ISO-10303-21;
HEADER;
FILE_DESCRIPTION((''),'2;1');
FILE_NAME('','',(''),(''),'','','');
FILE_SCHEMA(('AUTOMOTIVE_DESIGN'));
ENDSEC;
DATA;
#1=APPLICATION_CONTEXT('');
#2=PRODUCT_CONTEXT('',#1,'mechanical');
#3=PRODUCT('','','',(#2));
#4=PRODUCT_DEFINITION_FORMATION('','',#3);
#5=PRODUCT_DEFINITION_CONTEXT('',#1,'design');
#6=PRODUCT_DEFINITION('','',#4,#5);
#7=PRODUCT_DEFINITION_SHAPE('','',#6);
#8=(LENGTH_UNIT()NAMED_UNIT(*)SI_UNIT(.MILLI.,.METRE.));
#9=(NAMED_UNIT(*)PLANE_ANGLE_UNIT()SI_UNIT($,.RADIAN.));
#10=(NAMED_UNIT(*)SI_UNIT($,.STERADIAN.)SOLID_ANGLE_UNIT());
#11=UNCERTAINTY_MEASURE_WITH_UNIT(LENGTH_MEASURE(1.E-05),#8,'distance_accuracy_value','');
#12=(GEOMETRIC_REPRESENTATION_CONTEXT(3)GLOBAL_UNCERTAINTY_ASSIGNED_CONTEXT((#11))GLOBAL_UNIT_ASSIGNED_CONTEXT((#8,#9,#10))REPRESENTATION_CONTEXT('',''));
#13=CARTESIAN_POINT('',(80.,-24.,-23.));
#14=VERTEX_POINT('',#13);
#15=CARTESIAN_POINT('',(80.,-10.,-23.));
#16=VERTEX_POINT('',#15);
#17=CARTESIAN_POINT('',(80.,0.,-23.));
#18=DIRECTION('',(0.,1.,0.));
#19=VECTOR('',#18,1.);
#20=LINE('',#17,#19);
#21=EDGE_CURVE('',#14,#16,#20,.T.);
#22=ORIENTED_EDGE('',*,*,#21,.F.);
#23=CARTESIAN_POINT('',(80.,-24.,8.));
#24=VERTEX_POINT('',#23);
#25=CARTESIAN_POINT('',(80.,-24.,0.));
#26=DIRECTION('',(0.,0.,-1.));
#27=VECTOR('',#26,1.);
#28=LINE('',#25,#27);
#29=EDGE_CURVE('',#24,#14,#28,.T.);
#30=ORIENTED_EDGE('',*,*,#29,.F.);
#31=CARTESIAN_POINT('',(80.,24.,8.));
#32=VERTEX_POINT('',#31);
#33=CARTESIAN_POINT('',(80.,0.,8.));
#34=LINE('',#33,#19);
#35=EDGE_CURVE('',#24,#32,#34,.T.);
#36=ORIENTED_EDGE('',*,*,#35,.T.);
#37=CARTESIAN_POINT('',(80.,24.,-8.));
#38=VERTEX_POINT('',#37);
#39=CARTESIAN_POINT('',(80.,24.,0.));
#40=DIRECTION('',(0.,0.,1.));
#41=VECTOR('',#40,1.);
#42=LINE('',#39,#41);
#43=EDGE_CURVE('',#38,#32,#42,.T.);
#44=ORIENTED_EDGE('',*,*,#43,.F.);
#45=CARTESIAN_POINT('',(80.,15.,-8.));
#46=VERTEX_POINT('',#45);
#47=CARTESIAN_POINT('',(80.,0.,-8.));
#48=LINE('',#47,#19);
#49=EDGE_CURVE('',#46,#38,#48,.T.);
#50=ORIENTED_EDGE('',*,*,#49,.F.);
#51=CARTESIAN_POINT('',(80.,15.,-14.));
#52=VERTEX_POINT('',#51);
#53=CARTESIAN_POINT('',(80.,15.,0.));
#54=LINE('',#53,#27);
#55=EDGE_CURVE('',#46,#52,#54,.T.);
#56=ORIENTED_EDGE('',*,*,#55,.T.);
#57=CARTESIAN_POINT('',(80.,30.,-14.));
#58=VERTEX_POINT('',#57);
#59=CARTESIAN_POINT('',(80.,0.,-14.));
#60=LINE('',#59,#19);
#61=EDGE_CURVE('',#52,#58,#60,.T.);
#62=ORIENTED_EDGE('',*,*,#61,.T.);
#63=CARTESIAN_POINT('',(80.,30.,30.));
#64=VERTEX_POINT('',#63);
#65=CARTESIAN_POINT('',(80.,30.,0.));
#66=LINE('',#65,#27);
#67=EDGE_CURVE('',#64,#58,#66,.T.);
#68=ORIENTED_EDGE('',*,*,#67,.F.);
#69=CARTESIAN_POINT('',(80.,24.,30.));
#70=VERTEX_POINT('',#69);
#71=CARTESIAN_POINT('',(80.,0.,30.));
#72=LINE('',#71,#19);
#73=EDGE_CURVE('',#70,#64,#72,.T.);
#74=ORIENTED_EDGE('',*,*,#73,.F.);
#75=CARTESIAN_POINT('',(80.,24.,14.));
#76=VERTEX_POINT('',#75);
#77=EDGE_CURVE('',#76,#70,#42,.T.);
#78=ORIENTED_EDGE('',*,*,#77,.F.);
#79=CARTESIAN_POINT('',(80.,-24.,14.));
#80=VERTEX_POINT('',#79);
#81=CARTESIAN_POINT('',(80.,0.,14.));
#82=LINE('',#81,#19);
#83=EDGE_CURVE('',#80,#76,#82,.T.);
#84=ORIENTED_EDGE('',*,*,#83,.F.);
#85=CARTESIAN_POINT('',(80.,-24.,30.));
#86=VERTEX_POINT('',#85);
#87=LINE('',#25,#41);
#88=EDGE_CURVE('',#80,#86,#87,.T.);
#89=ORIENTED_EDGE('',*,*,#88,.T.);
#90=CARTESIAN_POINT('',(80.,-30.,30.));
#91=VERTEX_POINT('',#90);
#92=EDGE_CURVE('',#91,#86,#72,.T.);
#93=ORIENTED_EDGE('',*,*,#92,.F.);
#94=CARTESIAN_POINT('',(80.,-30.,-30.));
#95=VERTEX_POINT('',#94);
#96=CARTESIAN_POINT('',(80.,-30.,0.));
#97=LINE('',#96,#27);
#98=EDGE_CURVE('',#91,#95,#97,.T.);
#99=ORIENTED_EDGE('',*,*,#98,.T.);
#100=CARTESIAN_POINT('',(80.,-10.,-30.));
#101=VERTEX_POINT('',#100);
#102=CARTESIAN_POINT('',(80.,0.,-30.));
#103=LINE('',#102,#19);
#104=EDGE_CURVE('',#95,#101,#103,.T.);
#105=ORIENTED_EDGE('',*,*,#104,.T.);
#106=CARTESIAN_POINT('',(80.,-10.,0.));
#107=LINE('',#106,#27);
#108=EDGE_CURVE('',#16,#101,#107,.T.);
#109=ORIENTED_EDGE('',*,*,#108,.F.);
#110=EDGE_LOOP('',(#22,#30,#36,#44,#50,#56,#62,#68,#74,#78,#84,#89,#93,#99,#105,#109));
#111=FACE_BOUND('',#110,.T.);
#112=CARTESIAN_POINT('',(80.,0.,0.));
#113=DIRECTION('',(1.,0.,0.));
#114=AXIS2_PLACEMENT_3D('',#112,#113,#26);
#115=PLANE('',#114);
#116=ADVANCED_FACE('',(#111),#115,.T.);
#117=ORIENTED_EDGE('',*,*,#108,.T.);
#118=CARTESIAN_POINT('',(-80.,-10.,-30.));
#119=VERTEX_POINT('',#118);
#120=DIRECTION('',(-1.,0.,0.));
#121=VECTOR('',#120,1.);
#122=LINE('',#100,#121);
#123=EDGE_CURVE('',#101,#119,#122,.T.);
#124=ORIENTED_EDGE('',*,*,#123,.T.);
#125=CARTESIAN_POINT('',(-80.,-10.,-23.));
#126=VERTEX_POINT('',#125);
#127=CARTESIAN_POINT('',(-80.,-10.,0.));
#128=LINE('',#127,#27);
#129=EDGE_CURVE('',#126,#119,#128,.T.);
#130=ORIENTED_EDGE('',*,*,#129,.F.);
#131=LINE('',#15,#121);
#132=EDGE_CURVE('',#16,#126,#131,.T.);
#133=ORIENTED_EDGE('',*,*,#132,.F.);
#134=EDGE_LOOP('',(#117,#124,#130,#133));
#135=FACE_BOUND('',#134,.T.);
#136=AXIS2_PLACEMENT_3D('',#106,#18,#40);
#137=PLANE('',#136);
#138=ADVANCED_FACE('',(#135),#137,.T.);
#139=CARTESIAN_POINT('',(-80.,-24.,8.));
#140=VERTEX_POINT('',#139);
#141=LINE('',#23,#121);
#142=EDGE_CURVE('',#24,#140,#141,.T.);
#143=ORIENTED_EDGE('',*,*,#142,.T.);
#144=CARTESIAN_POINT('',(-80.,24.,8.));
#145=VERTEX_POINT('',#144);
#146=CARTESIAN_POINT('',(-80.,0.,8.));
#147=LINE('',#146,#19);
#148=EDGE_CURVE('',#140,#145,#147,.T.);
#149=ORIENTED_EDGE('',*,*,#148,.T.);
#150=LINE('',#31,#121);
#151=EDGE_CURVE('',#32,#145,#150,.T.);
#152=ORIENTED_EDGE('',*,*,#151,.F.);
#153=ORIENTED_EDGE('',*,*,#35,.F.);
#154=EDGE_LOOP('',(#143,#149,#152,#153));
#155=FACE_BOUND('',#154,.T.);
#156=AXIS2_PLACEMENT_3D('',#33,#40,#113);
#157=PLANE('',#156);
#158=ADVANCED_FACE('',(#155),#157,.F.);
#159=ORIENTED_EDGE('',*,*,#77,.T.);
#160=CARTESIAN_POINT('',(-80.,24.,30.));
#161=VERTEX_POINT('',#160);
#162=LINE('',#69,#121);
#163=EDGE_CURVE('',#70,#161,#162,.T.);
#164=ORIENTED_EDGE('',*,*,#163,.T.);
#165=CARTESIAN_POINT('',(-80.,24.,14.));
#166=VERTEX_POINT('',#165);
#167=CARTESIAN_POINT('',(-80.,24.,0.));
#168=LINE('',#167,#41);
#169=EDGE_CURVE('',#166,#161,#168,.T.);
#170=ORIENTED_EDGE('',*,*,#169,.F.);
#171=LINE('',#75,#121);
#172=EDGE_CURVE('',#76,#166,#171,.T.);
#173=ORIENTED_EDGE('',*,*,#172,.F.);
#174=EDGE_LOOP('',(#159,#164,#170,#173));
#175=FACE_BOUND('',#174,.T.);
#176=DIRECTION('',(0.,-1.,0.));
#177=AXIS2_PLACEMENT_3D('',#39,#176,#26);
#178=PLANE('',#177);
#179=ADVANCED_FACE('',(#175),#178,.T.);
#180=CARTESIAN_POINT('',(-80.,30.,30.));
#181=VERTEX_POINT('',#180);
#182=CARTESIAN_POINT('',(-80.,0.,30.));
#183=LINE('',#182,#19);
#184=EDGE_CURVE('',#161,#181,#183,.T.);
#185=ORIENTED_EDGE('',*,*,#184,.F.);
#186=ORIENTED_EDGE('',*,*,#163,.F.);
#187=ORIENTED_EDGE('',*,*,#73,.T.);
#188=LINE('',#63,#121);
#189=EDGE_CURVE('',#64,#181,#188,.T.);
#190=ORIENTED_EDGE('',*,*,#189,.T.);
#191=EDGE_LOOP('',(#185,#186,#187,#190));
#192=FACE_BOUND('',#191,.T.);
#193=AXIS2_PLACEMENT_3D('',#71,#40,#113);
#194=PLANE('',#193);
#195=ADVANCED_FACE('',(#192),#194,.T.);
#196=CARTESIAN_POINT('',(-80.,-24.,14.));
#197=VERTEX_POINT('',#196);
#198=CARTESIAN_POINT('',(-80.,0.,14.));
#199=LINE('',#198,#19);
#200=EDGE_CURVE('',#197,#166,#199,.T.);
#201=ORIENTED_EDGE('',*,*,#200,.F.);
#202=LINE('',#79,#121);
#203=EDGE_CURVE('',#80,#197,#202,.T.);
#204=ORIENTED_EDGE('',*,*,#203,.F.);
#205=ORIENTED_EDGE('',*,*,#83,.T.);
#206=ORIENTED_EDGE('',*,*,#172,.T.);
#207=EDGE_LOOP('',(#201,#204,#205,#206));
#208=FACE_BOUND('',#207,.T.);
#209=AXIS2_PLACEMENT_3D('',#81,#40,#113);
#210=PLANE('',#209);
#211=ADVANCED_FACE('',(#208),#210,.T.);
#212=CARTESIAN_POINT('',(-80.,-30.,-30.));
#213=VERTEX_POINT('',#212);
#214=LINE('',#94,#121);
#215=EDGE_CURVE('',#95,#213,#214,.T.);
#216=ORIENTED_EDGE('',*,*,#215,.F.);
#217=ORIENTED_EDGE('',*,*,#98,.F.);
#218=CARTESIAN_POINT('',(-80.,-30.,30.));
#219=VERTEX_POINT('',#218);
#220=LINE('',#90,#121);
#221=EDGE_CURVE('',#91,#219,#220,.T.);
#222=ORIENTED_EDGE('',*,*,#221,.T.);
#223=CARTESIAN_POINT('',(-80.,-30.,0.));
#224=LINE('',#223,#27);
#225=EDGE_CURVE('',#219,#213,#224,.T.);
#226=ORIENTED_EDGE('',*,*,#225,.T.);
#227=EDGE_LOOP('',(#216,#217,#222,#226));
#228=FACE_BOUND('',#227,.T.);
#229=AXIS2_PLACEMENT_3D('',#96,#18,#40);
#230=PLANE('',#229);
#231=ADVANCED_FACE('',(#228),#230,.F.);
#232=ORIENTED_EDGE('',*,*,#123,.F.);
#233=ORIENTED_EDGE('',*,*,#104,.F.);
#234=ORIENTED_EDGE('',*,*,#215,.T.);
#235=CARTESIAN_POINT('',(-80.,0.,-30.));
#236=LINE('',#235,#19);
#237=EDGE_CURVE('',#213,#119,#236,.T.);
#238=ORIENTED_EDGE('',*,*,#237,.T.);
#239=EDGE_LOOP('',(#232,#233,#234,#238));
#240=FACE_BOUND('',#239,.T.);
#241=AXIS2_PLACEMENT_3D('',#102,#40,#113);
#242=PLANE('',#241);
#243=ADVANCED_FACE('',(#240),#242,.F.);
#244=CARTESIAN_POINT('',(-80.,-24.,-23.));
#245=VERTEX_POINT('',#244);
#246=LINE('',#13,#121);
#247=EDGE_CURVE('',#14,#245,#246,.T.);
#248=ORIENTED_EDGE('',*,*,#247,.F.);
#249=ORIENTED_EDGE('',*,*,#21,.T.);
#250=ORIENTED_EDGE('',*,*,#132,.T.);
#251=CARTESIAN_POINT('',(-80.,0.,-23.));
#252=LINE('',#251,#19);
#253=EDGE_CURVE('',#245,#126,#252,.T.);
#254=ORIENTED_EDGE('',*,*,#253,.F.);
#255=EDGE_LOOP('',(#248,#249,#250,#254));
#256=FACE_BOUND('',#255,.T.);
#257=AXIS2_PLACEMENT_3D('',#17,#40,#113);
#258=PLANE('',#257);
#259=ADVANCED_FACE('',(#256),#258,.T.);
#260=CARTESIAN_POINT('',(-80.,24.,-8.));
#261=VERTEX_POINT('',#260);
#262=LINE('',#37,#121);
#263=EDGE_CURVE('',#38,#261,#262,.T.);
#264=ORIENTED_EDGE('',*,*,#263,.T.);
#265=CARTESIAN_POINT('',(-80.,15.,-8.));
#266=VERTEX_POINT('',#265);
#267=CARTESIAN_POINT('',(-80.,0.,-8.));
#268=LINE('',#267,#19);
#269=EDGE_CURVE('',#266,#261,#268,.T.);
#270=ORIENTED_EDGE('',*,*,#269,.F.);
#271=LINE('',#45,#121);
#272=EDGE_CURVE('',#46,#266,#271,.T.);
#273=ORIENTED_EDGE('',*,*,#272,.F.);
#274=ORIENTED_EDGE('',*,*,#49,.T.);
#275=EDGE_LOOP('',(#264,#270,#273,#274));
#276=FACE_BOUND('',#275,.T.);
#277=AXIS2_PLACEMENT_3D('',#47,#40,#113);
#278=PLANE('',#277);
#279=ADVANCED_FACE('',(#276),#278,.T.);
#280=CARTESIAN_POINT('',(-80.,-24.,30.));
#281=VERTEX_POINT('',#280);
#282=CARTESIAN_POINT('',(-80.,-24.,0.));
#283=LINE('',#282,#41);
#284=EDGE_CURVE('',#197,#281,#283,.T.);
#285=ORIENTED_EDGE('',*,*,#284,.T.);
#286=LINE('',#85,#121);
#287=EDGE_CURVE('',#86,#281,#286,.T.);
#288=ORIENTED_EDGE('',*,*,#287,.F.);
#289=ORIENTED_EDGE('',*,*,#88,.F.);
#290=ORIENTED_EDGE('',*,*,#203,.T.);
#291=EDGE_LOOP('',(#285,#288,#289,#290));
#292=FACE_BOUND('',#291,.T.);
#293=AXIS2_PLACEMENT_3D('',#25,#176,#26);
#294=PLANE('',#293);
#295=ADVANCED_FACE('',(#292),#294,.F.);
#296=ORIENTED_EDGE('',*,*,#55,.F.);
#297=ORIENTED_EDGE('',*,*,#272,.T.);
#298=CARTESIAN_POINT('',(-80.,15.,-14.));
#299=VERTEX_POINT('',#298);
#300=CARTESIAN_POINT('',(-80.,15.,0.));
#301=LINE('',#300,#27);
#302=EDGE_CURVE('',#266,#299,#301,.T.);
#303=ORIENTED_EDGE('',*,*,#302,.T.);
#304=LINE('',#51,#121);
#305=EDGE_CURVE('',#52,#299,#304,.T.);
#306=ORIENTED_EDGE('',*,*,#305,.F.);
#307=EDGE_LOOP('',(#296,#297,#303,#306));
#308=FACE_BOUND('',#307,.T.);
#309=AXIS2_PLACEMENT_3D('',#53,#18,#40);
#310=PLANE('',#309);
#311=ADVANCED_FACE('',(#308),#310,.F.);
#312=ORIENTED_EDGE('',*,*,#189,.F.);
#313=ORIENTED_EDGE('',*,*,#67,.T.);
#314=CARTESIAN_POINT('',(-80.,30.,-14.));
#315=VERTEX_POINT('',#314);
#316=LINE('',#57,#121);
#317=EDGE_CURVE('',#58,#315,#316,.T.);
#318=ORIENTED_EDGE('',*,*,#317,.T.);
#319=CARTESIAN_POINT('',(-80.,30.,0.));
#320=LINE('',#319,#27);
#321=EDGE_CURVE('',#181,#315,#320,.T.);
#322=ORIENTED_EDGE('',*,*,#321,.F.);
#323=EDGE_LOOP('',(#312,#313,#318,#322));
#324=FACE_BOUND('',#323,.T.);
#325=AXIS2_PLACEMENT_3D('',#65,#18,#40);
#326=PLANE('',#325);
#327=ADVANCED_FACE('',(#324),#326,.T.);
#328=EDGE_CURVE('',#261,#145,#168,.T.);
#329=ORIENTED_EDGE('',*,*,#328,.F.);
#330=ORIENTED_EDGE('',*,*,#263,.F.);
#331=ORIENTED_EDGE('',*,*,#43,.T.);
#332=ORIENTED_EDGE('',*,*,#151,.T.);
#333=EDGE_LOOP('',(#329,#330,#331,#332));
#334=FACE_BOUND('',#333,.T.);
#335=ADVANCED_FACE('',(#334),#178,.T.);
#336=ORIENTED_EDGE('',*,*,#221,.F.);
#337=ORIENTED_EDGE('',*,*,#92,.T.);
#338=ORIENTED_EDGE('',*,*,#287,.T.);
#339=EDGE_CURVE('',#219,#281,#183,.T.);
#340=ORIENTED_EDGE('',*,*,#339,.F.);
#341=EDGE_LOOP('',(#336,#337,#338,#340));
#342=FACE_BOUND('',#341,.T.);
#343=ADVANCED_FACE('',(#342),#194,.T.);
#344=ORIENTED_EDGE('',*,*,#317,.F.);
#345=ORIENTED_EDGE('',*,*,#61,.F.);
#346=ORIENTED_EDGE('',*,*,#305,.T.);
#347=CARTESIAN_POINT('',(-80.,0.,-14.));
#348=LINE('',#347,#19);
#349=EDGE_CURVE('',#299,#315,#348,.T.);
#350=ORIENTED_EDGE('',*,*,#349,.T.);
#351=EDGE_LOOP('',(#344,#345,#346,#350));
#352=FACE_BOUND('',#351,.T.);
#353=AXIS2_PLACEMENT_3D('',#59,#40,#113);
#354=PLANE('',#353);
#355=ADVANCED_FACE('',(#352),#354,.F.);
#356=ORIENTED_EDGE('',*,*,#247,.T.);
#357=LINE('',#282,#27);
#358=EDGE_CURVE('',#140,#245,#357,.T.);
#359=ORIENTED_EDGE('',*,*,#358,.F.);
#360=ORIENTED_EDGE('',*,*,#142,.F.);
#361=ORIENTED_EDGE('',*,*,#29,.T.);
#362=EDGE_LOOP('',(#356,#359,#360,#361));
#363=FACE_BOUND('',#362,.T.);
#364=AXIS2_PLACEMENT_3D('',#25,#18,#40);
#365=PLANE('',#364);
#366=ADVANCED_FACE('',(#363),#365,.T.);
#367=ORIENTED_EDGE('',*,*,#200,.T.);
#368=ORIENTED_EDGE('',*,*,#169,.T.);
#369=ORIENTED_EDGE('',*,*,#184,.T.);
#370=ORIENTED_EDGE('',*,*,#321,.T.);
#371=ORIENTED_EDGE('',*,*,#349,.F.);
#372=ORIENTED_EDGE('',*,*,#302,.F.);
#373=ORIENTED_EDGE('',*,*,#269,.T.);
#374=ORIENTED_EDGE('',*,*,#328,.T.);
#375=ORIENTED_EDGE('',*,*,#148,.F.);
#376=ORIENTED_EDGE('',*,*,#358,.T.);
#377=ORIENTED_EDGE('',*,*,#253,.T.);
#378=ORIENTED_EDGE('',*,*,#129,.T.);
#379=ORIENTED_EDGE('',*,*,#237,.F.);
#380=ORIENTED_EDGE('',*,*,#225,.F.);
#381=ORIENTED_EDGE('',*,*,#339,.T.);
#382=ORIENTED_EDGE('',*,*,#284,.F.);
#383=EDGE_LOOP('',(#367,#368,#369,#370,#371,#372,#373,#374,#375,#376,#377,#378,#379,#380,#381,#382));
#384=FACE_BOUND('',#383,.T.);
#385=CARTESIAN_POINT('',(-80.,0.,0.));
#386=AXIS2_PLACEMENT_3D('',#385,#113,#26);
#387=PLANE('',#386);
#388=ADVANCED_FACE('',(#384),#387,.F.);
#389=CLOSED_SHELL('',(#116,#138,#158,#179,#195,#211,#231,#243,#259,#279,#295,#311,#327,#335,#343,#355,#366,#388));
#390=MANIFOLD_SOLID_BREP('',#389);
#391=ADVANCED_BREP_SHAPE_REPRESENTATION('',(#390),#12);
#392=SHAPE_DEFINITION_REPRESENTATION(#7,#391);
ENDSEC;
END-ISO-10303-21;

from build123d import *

# Parameters (mm, degrees)
EXTRUDE_1_DEPTH = 80


with BuildPart() as part:
    # Эскиз1 → Бобышка-Вытянуть1 (new, symmetric)
    with BuildSketch(Plane(origin=(0, 0, 0), x_dir=(0, 0, -1), z_dir=(1, 0, 0))):
        Polygon((-30, -24), (-30, -30), (30, -30), (30, -10), (23, -10), (23, -24), (8, -24), (-8, -24), (-8, 24), (8, 24), (8, 15), (14, 15), (14, 30), (-30, 30), (-30, 24), (-14, 24), (-14, -24), align=None)
    extrude(amount=EXTRUDE_1_DEPTH, both=True)


solid = part.part
